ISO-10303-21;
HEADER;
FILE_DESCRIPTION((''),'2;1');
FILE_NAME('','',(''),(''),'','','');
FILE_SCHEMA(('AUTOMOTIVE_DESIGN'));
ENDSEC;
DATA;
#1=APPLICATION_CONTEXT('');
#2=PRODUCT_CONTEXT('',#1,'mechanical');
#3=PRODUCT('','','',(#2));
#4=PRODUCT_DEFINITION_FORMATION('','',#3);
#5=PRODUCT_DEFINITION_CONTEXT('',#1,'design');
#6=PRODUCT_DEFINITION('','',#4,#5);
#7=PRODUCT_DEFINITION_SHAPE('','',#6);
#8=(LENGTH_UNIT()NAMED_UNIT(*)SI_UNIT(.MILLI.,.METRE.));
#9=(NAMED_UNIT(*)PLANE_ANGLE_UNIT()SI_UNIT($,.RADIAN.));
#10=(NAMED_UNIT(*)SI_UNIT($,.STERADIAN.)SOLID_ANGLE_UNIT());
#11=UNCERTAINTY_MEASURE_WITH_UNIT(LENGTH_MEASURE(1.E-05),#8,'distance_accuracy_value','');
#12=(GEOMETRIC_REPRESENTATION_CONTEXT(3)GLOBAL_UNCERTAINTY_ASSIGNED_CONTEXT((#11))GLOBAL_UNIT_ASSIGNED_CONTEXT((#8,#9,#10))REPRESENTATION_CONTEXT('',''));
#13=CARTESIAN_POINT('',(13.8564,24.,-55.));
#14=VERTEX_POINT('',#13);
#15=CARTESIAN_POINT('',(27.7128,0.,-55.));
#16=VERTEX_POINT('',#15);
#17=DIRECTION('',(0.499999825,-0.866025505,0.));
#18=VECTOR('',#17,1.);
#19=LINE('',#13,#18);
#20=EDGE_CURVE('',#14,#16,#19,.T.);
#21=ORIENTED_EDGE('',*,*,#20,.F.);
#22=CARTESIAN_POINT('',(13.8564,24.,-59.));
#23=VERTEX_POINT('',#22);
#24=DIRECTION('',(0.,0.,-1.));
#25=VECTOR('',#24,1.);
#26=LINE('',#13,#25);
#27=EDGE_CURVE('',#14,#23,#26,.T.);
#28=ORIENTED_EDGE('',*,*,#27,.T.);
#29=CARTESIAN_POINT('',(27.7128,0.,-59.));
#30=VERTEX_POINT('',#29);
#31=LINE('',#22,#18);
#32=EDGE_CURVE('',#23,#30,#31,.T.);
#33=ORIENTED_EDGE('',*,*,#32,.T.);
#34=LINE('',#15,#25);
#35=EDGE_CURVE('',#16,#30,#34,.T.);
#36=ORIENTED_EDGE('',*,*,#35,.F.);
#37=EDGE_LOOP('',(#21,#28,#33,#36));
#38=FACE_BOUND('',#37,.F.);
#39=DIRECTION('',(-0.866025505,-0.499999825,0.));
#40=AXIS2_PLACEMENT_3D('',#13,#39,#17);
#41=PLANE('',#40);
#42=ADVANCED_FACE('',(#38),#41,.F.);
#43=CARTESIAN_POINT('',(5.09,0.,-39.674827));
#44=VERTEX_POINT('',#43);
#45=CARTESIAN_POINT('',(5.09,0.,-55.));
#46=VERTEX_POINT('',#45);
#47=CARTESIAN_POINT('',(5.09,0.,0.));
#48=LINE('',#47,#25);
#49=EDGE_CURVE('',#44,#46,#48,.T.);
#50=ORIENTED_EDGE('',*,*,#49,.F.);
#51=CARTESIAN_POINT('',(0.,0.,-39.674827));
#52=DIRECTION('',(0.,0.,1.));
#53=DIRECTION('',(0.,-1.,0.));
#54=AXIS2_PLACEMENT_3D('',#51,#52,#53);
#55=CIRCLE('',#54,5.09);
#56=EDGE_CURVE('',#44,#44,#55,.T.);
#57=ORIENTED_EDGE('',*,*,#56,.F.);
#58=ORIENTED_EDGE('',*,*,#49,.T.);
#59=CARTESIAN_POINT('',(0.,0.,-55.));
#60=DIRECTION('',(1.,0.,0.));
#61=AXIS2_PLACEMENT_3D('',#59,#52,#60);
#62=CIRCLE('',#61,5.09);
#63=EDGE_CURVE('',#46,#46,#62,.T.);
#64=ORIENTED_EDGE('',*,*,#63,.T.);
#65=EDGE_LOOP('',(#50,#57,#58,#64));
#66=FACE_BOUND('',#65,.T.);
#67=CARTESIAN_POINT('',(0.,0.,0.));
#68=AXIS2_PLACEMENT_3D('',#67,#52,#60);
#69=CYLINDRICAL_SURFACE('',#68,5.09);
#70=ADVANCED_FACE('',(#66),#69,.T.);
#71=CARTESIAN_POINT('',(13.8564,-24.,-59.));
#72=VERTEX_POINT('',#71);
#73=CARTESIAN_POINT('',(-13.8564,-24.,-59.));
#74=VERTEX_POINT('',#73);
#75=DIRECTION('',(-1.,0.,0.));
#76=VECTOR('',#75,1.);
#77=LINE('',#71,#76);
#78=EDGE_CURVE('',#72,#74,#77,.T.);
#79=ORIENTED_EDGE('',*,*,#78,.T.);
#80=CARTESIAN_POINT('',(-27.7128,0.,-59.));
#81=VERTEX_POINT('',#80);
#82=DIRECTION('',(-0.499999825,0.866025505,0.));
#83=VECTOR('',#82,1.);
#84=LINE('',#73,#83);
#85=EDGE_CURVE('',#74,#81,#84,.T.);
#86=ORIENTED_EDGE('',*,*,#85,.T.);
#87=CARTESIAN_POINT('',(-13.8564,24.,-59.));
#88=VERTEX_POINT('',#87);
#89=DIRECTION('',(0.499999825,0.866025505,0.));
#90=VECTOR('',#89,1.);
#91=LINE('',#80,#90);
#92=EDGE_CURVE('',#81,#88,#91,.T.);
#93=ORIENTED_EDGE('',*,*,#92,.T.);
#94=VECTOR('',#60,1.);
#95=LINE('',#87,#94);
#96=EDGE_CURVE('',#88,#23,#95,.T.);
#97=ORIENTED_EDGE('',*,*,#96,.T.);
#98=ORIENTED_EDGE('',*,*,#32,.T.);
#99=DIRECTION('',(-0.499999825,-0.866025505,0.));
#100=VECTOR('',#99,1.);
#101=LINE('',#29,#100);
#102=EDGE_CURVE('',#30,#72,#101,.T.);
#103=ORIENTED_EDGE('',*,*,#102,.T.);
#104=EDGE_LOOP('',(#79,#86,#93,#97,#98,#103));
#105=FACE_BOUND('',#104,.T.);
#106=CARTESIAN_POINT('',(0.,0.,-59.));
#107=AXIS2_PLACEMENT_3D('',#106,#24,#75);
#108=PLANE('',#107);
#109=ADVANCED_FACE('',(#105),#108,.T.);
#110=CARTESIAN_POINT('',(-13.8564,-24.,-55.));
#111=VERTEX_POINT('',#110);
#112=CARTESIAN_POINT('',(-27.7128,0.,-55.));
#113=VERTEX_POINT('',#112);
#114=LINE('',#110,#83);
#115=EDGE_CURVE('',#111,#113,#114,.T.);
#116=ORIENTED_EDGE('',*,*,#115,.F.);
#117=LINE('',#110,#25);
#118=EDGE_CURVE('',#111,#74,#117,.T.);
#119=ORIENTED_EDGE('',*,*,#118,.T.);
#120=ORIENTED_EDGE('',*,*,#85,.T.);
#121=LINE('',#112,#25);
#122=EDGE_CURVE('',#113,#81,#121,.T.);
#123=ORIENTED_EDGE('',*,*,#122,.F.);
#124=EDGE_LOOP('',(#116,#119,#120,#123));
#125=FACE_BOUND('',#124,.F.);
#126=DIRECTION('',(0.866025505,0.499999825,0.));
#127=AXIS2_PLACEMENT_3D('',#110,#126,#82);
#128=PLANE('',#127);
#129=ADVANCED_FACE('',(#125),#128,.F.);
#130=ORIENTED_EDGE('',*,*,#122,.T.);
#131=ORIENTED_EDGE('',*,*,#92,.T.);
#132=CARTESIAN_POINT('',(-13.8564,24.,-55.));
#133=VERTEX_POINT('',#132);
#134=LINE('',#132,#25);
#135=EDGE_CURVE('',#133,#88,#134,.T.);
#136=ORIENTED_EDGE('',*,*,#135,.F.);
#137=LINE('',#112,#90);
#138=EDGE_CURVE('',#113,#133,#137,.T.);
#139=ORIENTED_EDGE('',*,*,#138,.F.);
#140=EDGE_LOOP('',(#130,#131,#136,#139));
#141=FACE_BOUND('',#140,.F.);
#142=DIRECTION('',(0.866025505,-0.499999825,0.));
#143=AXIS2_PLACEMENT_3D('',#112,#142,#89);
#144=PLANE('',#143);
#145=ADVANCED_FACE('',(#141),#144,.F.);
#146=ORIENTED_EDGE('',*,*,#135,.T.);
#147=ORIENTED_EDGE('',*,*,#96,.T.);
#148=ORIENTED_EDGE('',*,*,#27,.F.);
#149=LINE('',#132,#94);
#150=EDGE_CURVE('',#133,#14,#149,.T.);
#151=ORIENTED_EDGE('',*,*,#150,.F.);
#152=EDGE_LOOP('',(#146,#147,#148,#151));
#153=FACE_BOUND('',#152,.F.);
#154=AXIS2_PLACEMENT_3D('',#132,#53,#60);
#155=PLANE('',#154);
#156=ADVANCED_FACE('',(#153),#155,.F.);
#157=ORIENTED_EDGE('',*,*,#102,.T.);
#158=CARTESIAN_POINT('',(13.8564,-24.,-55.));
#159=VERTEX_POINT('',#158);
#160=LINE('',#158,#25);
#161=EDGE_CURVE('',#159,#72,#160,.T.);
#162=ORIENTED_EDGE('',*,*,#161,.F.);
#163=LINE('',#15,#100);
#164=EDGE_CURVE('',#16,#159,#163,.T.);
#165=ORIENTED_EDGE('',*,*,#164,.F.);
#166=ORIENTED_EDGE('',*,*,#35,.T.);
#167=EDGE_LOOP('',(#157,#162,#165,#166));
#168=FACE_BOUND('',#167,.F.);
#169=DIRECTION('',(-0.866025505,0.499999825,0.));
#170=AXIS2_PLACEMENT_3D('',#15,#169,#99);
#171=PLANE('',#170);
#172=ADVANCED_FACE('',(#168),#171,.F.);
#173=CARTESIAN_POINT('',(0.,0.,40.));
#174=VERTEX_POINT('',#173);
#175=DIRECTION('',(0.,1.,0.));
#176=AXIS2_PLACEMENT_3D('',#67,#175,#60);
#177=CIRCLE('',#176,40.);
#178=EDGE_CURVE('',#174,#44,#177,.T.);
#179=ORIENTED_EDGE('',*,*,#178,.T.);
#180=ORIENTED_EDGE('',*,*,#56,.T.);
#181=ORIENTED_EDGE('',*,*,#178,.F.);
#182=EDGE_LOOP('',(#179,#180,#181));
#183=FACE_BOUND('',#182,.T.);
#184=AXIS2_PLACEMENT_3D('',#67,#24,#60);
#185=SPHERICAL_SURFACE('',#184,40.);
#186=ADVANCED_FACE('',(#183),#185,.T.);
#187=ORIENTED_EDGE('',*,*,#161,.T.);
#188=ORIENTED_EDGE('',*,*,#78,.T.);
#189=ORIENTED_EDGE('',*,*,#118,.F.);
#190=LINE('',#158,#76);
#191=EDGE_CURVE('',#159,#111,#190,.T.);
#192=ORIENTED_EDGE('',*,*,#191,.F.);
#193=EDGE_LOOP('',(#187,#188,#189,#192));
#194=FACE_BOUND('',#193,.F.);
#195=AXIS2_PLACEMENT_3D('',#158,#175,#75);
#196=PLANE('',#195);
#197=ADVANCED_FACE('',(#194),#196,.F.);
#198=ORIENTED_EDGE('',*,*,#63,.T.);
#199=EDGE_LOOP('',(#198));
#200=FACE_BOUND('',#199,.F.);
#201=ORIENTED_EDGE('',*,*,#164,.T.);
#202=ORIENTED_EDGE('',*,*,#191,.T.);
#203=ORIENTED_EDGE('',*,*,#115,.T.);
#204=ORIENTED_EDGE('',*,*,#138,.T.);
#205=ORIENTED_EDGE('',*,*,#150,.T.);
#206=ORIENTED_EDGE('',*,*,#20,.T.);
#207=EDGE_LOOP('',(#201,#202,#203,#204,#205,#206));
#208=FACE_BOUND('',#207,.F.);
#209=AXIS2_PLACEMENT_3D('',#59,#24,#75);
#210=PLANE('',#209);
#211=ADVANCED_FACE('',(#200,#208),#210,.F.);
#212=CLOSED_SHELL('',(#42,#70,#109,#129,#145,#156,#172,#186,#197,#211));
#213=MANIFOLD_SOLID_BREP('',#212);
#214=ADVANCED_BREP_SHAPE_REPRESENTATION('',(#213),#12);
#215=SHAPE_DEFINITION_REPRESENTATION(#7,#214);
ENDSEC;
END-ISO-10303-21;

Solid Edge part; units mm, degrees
sketch "Sketch1" plane through (0, 0, 0) normal (0, -1, 0) x (1, 0, 0)
  line L0 (0, 40) -> (0, -40)
  arc A0 (0, 40) -> (0, -40) centre (0, 0) cw
revolve "RevolvedProtrusion1" add sketch "Sketch1" angle 360 about axis through (0, 0, 45) along (0, 0, -1)
sketch "Sketch2" plane through (0, 0, 0) normal (0, 0, 1) x (1, 0, 0)
  circle A0 centre (0, 0) radius 5.09
extrude "Protrusion1" add sketch "Sketch2" against normal blind 55
sketch "Sketch3" plane through (0, 0, -55) normal (0, 0, -1) x (1, 0, 0)
  line L0 (27.7128, 0) -> (13.8564, 24)
  line L1 (13.8564, 24) -> (-13.8564, 24)
  line L2 (-13.8564, 24) -> (-27.7128, 0)
  line L3 (-27.7128, 0) -> (-13.8564, -24)
  line L4 (-13.8564, -24) -> (13.8564, -24)
  line L5 (13.8564, -24) -> (27.7128, 0)
extrude "ExtrudedProtrusion_2" add sketch "Sketch3" along normal blind 4
